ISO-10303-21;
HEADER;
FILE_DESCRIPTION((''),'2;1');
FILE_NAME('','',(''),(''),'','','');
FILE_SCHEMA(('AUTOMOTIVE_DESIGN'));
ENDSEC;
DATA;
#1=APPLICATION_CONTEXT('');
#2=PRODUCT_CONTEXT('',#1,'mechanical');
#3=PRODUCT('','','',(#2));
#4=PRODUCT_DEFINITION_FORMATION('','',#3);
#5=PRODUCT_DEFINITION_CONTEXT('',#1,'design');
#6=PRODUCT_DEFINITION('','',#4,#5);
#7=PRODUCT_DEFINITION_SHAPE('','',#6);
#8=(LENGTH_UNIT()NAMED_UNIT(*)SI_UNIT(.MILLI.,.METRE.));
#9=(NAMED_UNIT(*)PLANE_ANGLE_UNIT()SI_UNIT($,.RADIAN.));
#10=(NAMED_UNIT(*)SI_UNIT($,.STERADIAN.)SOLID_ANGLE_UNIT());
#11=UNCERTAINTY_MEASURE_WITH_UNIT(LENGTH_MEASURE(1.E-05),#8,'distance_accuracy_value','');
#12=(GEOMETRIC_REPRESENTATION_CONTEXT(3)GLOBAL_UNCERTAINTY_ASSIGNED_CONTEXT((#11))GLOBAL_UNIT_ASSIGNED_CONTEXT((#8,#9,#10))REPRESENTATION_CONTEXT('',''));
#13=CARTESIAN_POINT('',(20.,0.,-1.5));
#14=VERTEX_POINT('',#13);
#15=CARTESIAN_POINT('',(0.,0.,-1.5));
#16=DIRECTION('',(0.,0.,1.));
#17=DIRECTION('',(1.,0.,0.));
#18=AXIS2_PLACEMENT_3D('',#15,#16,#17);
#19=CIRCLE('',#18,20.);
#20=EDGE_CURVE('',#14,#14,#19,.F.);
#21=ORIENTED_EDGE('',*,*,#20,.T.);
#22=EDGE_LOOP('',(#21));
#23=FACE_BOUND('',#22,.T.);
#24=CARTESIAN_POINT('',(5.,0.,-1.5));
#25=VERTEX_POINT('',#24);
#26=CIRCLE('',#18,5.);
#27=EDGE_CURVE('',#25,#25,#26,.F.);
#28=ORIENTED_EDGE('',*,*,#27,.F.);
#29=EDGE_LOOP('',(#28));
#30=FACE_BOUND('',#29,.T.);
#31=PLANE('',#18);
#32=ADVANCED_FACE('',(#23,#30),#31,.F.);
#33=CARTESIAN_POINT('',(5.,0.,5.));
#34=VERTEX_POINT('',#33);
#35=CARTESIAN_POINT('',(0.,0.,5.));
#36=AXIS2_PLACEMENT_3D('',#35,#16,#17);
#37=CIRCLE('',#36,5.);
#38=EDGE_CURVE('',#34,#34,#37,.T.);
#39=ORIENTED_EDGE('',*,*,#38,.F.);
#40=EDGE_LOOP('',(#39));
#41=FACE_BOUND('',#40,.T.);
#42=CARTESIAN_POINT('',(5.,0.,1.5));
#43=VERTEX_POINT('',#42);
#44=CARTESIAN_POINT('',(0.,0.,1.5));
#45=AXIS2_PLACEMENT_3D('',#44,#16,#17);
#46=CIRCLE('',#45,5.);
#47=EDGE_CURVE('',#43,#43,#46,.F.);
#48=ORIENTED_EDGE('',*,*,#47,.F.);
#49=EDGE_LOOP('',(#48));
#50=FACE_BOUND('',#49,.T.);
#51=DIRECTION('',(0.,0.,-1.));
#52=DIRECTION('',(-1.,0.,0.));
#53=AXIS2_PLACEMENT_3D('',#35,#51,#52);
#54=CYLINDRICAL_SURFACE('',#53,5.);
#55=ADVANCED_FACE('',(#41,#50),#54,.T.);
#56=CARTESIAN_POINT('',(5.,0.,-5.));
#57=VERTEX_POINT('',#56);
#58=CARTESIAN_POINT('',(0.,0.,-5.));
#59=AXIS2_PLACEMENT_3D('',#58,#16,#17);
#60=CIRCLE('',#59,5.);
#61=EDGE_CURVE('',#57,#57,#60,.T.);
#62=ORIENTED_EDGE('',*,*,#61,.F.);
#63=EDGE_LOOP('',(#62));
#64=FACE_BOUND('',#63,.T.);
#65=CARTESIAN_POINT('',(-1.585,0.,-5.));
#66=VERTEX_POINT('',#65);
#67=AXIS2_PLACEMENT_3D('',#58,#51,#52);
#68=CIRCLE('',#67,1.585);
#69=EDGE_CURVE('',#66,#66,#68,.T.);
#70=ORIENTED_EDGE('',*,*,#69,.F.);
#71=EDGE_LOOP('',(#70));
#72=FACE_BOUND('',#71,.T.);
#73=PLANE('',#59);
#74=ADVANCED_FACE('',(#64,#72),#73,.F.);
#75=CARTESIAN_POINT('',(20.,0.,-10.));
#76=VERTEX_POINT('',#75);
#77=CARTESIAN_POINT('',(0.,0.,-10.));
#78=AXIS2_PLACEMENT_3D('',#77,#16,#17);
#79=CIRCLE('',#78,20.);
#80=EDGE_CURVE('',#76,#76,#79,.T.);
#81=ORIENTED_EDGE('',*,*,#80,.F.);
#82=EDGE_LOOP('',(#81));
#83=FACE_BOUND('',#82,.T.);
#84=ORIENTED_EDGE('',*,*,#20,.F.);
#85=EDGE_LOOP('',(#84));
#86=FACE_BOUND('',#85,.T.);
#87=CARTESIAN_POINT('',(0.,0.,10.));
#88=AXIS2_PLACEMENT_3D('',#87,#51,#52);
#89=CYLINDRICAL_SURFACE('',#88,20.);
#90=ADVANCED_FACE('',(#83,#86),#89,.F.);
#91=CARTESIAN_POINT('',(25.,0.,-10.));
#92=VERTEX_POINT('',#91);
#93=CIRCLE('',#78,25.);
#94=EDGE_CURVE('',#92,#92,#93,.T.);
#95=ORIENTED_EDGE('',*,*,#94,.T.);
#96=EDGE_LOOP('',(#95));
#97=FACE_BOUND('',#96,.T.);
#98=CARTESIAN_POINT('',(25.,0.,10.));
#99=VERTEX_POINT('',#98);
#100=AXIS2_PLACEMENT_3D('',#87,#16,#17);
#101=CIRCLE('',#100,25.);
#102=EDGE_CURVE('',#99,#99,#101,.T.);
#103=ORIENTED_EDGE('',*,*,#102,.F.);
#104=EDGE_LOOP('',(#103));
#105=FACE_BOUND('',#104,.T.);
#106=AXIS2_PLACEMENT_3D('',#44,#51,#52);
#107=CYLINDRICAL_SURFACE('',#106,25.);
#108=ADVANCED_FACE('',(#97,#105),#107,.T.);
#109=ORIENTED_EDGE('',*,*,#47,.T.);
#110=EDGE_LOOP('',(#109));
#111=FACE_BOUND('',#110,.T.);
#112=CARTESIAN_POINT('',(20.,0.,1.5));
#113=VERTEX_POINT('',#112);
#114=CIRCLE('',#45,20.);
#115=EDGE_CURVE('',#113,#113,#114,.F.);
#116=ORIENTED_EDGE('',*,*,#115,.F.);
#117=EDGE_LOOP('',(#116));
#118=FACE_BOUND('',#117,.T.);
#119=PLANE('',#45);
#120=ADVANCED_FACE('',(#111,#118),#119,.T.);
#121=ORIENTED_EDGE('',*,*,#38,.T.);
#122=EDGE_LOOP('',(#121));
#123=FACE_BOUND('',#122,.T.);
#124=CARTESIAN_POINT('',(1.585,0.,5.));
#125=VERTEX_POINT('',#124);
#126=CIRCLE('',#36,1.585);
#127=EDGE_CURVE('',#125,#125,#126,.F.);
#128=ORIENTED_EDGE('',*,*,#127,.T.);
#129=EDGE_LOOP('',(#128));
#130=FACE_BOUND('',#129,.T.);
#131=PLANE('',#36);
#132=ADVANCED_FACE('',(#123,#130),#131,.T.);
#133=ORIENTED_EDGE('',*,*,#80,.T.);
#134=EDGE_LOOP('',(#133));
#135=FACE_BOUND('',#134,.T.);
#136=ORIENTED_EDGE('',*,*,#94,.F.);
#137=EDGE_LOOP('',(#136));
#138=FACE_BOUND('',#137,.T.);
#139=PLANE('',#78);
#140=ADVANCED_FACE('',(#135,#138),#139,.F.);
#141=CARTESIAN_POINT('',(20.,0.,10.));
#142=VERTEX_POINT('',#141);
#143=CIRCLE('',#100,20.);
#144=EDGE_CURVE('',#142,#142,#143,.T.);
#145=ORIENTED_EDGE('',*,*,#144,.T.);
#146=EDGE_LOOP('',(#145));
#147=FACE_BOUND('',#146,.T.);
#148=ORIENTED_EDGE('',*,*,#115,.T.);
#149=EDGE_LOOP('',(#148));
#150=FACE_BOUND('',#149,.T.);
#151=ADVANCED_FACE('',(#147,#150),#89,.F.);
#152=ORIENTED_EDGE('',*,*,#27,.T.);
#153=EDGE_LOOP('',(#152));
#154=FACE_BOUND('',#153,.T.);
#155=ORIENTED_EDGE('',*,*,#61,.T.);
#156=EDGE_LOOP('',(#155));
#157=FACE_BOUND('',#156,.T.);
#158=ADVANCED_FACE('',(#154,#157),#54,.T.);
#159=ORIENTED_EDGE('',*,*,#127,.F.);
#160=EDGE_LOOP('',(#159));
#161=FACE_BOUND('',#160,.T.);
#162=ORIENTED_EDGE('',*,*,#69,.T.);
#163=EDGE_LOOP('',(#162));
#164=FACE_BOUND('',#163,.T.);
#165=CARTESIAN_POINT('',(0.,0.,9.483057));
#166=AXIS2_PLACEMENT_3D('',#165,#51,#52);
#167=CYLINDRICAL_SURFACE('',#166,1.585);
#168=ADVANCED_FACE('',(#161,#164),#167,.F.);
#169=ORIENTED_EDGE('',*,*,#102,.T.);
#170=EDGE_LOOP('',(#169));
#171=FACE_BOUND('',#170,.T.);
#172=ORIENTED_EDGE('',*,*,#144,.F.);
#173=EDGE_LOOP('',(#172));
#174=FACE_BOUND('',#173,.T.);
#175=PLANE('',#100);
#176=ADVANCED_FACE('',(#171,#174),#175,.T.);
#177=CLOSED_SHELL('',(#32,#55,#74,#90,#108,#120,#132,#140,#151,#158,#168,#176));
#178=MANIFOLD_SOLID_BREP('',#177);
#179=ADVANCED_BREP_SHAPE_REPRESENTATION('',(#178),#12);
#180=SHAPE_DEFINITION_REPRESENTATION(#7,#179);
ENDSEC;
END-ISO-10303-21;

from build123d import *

# Parameters (mm, degrees)
SKETCH1_R           = 25
BOSS_EXTRUDE1_DEPTH = 1.5
SKETCH2_R           = 25
SKETCH2_R_2         = 20
BOSS_EXTRUDE2_DEPTH = 10
SKETCH3_R           = 5
BOSS_EXTRUDE3_DEPTH = 5
SKETCH4_R           = 1.585
CUT_EXTRUDE1_DEPTH  = 10


with BuildPart() as part:
    # Sketch1 → Boss-Extrude1 (new, symmetric)
    with BuildSketch(Plane.XY):
        Circle(SKETCH1_R)
    extrude(amount=BOSS_EXTRUDE1_DEPTH, both=True)

    # Sketch2 → Boss-Extrude2 (add, symmetric)
    with BuildSketch(Plane.XY):
        Circle(SKETCH2_R)
        Circle(SKETCH2_R_2, mode=Mode.SUBTRACT)
    extrude(amount=BOSS_EXTRUDE2_DEPTH, both=True)

    # Sketch3 → Boss-Extrude3 (add, symmetric)
    with BuildSketch(Plane.XY):
        Circle(SKETCH3_R)
    extrude(amount=BOSS_EXTRUDE3_DEPTH, both=True)

    # Sketch4 → Cut-Extrude1 (cut)
    with BuildSketch(Plane(origin=(0, 0, -5), x_dir=(-1, 0, 0), z_dir=(0, 0, -1))):
        Circle(SKETCH4_R)
    extrude(amount=-CUT_EXTRUDE1_DEPTH, mode=Mode.SUBTRACT)


solid = part.part
